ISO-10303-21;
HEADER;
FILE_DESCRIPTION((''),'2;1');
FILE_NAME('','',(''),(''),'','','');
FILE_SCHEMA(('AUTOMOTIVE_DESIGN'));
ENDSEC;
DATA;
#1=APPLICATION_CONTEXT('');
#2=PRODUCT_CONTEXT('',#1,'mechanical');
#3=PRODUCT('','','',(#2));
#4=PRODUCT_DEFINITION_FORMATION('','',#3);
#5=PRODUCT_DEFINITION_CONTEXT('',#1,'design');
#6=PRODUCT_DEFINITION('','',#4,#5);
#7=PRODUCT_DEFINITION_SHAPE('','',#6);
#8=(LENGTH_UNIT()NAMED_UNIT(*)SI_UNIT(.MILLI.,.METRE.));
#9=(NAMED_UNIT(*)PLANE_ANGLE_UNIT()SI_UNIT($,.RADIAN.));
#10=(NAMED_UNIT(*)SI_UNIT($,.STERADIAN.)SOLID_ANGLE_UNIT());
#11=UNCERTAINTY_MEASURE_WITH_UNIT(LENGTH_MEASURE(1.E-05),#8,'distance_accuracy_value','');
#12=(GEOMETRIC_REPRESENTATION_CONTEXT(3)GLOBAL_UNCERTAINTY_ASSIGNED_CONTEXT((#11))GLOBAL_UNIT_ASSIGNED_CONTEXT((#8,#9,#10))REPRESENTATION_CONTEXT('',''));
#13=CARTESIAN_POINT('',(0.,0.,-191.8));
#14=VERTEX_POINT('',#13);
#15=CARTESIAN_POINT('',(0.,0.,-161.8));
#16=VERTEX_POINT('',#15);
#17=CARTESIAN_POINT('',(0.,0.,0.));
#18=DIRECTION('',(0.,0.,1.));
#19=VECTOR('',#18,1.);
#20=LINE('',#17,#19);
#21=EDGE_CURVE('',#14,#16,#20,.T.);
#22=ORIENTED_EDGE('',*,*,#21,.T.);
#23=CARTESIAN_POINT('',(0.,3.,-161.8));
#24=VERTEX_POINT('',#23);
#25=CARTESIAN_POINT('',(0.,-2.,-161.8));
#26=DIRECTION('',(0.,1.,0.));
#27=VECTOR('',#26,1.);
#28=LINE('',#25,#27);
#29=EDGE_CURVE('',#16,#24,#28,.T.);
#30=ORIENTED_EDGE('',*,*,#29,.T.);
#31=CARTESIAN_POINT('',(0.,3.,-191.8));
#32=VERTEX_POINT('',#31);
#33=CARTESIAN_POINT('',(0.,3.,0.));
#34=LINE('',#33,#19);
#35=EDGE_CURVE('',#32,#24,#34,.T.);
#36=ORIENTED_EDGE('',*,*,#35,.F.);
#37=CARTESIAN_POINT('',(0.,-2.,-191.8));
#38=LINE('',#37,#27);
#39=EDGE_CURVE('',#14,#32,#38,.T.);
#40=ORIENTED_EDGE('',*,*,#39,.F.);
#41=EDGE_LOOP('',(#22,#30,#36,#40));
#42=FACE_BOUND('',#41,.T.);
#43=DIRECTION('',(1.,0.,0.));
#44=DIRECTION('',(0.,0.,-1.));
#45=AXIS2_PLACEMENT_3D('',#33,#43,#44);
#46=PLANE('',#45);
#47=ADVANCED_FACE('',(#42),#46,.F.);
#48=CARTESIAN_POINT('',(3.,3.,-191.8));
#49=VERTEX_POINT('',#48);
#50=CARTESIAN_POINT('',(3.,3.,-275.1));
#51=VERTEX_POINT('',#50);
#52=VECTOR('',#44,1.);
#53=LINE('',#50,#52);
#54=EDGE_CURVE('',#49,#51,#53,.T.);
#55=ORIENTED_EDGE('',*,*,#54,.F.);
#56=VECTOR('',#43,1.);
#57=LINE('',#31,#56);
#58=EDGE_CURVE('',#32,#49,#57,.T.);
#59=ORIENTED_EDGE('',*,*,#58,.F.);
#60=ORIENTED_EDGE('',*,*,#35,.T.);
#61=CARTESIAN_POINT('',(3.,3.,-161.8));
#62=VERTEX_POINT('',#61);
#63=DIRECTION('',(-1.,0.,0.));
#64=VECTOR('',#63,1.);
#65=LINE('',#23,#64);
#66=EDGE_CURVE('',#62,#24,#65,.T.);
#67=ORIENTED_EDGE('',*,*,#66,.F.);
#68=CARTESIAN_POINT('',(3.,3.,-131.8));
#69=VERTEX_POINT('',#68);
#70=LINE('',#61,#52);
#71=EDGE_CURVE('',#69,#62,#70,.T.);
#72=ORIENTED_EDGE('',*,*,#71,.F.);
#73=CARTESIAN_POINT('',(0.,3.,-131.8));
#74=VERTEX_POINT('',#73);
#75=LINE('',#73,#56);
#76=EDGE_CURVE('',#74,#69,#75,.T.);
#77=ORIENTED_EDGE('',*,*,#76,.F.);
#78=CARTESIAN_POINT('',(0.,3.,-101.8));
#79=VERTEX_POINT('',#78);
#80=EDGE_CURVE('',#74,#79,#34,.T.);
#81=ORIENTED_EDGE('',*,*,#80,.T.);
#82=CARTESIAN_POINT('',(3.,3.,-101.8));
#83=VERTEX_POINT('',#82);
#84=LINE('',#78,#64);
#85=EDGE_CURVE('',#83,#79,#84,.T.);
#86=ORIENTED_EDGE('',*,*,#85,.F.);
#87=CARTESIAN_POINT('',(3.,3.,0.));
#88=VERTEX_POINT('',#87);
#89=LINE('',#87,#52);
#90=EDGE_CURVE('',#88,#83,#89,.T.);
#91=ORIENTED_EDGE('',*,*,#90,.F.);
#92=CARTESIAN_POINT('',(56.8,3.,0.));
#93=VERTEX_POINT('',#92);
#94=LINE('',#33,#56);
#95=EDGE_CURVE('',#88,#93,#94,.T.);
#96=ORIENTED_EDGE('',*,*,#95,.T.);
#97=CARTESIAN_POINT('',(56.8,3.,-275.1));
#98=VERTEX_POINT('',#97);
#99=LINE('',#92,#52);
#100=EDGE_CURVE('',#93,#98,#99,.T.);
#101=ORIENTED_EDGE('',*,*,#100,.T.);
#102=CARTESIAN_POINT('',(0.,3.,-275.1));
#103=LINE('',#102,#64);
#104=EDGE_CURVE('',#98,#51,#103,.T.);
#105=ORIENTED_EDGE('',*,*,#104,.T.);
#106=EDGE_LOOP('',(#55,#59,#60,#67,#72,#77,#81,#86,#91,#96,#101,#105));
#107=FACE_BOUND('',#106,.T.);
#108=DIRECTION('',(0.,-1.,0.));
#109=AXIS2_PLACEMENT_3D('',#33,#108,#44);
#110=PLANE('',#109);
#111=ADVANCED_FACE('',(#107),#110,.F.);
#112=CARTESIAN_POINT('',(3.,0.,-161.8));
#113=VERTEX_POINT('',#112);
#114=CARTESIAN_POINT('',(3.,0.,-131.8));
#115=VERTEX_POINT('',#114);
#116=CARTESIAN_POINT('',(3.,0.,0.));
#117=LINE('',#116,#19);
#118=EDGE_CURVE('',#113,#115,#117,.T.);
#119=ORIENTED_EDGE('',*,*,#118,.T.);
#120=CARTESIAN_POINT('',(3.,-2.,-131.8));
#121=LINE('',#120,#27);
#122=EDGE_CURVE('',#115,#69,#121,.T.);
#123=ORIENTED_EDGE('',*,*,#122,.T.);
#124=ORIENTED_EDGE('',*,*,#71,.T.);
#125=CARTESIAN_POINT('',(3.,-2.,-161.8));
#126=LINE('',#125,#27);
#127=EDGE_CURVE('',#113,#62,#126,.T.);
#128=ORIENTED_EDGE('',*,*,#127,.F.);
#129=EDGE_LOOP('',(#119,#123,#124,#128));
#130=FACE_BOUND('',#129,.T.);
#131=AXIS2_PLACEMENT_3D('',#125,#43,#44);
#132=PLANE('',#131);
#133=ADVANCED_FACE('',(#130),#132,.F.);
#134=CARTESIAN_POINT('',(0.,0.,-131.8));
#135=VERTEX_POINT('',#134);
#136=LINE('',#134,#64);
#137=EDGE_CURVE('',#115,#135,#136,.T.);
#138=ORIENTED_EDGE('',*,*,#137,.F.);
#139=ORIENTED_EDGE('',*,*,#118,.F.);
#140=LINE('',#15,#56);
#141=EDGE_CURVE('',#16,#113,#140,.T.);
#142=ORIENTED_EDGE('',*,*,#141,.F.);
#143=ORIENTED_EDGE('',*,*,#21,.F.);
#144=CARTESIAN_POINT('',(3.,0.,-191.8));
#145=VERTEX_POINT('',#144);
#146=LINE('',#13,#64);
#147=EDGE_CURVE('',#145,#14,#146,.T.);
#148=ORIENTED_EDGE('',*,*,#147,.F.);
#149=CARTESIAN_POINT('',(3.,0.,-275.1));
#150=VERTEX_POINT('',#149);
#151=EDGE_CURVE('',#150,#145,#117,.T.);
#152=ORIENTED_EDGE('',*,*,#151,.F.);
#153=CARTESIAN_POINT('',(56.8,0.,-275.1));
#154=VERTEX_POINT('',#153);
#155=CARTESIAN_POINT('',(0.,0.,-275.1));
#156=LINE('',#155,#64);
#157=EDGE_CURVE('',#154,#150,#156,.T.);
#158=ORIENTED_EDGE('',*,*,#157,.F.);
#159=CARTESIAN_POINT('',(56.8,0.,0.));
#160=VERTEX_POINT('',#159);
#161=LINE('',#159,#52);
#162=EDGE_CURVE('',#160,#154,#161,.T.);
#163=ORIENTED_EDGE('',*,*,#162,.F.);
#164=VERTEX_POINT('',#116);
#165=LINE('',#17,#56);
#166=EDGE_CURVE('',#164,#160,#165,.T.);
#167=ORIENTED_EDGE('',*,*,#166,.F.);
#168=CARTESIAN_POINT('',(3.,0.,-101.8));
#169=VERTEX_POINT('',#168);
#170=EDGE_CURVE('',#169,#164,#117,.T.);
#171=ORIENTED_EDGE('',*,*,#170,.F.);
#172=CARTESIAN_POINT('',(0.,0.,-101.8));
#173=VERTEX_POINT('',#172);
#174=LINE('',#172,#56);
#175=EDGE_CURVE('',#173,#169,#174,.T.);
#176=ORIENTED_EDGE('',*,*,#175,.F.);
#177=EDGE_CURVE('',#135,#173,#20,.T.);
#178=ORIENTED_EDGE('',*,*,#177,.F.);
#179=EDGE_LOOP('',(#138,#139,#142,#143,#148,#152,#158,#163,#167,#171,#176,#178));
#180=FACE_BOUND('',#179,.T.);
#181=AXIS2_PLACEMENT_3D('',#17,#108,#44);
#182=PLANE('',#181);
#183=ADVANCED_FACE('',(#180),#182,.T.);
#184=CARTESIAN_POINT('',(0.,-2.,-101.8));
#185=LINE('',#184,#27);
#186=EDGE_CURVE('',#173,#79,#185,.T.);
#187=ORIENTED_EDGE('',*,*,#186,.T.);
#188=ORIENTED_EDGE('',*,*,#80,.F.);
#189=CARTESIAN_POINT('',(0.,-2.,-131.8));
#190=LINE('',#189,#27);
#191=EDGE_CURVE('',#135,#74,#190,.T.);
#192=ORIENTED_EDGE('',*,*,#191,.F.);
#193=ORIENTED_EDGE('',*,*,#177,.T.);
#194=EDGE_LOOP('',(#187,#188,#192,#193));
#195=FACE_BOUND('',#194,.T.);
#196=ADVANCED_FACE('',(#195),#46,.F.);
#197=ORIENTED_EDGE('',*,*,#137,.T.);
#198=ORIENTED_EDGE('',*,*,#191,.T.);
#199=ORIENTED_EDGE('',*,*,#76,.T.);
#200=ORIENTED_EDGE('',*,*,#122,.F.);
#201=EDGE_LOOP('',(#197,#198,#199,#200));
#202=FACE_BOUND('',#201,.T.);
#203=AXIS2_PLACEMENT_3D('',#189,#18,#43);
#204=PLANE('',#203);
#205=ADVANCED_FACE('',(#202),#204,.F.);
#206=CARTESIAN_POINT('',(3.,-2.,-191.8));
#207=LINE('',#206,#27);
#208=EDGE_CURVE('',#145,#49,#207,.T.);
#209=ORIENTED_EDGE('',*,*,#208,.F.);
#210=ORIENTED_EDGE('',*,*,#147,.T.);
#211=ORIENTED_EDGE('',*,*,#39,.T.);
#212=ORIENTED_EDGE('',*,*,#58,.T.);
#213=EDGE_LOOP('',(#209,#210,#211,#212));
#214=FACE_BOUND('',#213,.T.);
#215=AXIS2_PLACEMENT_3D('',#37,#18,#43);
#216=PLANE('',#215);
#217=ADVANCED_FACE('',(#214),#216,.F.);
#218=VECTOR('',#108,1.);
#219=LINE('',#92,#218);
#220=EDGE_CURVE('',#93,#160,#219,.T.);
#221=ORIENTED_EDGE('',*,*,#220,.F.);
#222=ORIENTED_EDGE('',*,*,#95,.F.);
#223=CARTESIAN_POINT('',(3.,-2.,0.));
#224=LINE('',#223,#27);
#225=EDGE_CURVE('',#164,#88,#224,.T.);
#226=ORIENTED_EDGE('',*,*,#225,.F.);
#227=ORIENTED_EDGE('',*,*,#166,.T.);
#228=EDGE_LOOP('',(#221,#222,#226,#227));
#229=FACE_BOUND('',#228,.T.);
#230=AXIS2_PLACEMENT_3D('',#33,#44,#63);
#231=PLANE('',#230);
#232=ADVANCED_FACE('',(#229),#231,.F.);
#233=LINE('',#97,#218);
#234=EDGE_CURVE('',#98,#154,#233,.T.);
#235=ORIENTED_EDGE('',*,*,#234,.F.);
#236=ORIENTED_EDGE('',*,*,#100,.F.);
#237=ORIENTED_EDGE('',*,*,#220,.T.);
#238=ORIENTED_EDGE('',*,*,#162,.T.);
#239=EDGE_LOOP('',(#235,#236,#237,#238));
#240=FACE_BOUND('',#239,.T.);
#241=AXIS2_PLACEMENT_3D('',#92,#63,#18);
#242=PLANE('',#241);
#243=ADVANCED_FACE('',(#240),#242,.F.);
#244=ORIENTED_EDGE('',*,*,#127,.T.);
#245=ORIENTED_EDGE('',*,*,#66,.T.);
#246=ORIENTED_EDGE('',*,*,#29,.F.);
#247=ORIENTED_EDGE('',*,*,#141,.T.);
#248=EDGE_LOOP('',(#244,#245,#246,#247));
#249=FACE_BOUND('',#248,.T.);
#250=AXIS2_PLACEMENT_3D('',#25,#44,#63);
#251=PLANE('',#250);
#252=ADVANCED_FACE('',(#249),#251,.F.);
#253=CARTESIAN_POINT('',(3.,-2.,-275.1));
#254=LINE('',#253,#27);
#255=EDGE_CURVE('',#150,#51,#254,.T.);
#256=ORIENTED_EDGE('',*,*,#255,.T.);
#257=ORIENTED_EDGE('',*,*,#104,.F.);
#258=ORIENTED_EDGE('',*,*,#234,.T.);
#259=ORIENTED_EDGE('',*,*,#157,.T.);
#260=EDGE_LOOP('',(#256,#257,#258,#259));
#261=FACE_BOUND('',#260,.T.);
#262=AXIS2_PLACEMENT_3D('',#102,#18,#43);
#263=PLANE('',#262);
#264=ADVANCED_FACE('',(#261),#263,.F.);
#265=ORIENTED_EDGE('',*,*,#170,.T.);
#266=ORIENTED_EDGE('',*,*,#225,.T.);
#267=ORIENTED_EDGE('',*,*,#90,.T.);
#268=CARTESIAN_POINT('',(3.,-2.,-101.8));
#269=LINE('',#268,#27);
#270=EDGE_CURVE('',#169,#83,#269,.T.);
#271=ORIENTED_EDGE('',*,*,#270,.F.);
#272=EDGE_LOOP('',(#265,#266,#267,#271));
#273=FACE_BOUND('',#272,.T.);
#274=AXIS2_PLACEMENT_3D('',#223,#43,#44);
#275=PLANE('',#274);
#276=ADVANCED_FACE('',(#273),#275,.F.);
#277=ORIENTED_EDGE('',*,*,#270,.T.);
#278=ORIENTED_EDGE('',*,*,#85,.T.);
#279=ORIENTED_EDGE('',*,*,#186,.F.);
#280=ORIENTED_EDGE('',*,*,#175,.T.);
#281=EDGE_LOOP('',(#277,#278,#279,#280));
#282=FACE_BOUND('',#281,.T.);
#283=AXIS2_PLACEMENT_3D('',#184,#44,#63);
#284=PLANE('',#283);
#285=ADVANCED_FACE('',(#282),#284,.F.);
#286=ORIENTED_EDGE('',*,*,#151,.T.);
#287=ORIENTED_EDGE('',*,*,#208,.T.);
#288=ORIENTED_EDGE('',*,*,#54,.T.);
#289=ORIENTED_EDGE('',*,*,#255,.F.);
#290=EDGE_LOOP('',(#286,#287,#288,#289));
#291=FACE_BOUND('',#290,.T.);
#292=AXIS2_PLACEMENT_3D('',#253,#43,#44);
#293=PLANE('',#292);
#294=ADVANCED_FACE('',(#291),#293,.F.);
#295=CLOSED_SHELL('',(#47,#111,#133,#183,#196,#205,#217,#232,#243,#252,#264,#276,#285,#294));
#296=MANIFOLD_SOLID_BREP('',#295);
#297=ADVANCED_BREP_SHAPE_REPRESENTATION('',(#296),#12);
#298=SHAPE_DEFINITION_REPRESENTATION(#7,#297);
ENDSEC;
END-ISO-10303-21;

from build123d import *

# Parameters (mm, degrees)
SKETCH1_W           = 56.8
SKETCH1_H           = 275.1
BOSS_EXTRUDE1_DEPTH = 3
SKETCH2_W           = 3
SKETCH2_H           = 83.3
SKETCH2_H_2         = 101.8
SKETCH2_H_3         = 30
CUT_EXTRUDE1_DEPTH  = 5


with BuildPart() as part:
    # Sketch1 → Boss-Extrude1 (new body)
    with BuildSketch(Plane(origin=(0, 0, 0), x_dir=(1, 0, 0), z_dir=(0, 1, 0))):
        with Locations((28.4, 137.55)):
            Rectangle(SKETCH1_W, SKETCH1_H)
    extrude(amount=BOSS_EXTRUDE1_DEPTH)

    # Sketch2 → Cut-Extrude1 (cut)
    with BuildSketch(Plane(origin=(0, 3, 0), x_dir=(1, 0, 0), z_dir=(0, 1, 0))):
        with Locations((1.5, 233.45)):
            Rectangle(SKETCH2_W, SKETCH2_H)
        with Locations((1.5, 50.9)):
            Rectangle(SKETCH2_W, SKETCH2_H_2)
        with Locations((1.5, 146.8)):
            Rectangle(SKETCH2_W, SKETCH2_H_3)
    extrude(amount=-CUT_EXTRUDE1_DEPTH, mode=Mode.SUBTRACT)


solid = part.part
